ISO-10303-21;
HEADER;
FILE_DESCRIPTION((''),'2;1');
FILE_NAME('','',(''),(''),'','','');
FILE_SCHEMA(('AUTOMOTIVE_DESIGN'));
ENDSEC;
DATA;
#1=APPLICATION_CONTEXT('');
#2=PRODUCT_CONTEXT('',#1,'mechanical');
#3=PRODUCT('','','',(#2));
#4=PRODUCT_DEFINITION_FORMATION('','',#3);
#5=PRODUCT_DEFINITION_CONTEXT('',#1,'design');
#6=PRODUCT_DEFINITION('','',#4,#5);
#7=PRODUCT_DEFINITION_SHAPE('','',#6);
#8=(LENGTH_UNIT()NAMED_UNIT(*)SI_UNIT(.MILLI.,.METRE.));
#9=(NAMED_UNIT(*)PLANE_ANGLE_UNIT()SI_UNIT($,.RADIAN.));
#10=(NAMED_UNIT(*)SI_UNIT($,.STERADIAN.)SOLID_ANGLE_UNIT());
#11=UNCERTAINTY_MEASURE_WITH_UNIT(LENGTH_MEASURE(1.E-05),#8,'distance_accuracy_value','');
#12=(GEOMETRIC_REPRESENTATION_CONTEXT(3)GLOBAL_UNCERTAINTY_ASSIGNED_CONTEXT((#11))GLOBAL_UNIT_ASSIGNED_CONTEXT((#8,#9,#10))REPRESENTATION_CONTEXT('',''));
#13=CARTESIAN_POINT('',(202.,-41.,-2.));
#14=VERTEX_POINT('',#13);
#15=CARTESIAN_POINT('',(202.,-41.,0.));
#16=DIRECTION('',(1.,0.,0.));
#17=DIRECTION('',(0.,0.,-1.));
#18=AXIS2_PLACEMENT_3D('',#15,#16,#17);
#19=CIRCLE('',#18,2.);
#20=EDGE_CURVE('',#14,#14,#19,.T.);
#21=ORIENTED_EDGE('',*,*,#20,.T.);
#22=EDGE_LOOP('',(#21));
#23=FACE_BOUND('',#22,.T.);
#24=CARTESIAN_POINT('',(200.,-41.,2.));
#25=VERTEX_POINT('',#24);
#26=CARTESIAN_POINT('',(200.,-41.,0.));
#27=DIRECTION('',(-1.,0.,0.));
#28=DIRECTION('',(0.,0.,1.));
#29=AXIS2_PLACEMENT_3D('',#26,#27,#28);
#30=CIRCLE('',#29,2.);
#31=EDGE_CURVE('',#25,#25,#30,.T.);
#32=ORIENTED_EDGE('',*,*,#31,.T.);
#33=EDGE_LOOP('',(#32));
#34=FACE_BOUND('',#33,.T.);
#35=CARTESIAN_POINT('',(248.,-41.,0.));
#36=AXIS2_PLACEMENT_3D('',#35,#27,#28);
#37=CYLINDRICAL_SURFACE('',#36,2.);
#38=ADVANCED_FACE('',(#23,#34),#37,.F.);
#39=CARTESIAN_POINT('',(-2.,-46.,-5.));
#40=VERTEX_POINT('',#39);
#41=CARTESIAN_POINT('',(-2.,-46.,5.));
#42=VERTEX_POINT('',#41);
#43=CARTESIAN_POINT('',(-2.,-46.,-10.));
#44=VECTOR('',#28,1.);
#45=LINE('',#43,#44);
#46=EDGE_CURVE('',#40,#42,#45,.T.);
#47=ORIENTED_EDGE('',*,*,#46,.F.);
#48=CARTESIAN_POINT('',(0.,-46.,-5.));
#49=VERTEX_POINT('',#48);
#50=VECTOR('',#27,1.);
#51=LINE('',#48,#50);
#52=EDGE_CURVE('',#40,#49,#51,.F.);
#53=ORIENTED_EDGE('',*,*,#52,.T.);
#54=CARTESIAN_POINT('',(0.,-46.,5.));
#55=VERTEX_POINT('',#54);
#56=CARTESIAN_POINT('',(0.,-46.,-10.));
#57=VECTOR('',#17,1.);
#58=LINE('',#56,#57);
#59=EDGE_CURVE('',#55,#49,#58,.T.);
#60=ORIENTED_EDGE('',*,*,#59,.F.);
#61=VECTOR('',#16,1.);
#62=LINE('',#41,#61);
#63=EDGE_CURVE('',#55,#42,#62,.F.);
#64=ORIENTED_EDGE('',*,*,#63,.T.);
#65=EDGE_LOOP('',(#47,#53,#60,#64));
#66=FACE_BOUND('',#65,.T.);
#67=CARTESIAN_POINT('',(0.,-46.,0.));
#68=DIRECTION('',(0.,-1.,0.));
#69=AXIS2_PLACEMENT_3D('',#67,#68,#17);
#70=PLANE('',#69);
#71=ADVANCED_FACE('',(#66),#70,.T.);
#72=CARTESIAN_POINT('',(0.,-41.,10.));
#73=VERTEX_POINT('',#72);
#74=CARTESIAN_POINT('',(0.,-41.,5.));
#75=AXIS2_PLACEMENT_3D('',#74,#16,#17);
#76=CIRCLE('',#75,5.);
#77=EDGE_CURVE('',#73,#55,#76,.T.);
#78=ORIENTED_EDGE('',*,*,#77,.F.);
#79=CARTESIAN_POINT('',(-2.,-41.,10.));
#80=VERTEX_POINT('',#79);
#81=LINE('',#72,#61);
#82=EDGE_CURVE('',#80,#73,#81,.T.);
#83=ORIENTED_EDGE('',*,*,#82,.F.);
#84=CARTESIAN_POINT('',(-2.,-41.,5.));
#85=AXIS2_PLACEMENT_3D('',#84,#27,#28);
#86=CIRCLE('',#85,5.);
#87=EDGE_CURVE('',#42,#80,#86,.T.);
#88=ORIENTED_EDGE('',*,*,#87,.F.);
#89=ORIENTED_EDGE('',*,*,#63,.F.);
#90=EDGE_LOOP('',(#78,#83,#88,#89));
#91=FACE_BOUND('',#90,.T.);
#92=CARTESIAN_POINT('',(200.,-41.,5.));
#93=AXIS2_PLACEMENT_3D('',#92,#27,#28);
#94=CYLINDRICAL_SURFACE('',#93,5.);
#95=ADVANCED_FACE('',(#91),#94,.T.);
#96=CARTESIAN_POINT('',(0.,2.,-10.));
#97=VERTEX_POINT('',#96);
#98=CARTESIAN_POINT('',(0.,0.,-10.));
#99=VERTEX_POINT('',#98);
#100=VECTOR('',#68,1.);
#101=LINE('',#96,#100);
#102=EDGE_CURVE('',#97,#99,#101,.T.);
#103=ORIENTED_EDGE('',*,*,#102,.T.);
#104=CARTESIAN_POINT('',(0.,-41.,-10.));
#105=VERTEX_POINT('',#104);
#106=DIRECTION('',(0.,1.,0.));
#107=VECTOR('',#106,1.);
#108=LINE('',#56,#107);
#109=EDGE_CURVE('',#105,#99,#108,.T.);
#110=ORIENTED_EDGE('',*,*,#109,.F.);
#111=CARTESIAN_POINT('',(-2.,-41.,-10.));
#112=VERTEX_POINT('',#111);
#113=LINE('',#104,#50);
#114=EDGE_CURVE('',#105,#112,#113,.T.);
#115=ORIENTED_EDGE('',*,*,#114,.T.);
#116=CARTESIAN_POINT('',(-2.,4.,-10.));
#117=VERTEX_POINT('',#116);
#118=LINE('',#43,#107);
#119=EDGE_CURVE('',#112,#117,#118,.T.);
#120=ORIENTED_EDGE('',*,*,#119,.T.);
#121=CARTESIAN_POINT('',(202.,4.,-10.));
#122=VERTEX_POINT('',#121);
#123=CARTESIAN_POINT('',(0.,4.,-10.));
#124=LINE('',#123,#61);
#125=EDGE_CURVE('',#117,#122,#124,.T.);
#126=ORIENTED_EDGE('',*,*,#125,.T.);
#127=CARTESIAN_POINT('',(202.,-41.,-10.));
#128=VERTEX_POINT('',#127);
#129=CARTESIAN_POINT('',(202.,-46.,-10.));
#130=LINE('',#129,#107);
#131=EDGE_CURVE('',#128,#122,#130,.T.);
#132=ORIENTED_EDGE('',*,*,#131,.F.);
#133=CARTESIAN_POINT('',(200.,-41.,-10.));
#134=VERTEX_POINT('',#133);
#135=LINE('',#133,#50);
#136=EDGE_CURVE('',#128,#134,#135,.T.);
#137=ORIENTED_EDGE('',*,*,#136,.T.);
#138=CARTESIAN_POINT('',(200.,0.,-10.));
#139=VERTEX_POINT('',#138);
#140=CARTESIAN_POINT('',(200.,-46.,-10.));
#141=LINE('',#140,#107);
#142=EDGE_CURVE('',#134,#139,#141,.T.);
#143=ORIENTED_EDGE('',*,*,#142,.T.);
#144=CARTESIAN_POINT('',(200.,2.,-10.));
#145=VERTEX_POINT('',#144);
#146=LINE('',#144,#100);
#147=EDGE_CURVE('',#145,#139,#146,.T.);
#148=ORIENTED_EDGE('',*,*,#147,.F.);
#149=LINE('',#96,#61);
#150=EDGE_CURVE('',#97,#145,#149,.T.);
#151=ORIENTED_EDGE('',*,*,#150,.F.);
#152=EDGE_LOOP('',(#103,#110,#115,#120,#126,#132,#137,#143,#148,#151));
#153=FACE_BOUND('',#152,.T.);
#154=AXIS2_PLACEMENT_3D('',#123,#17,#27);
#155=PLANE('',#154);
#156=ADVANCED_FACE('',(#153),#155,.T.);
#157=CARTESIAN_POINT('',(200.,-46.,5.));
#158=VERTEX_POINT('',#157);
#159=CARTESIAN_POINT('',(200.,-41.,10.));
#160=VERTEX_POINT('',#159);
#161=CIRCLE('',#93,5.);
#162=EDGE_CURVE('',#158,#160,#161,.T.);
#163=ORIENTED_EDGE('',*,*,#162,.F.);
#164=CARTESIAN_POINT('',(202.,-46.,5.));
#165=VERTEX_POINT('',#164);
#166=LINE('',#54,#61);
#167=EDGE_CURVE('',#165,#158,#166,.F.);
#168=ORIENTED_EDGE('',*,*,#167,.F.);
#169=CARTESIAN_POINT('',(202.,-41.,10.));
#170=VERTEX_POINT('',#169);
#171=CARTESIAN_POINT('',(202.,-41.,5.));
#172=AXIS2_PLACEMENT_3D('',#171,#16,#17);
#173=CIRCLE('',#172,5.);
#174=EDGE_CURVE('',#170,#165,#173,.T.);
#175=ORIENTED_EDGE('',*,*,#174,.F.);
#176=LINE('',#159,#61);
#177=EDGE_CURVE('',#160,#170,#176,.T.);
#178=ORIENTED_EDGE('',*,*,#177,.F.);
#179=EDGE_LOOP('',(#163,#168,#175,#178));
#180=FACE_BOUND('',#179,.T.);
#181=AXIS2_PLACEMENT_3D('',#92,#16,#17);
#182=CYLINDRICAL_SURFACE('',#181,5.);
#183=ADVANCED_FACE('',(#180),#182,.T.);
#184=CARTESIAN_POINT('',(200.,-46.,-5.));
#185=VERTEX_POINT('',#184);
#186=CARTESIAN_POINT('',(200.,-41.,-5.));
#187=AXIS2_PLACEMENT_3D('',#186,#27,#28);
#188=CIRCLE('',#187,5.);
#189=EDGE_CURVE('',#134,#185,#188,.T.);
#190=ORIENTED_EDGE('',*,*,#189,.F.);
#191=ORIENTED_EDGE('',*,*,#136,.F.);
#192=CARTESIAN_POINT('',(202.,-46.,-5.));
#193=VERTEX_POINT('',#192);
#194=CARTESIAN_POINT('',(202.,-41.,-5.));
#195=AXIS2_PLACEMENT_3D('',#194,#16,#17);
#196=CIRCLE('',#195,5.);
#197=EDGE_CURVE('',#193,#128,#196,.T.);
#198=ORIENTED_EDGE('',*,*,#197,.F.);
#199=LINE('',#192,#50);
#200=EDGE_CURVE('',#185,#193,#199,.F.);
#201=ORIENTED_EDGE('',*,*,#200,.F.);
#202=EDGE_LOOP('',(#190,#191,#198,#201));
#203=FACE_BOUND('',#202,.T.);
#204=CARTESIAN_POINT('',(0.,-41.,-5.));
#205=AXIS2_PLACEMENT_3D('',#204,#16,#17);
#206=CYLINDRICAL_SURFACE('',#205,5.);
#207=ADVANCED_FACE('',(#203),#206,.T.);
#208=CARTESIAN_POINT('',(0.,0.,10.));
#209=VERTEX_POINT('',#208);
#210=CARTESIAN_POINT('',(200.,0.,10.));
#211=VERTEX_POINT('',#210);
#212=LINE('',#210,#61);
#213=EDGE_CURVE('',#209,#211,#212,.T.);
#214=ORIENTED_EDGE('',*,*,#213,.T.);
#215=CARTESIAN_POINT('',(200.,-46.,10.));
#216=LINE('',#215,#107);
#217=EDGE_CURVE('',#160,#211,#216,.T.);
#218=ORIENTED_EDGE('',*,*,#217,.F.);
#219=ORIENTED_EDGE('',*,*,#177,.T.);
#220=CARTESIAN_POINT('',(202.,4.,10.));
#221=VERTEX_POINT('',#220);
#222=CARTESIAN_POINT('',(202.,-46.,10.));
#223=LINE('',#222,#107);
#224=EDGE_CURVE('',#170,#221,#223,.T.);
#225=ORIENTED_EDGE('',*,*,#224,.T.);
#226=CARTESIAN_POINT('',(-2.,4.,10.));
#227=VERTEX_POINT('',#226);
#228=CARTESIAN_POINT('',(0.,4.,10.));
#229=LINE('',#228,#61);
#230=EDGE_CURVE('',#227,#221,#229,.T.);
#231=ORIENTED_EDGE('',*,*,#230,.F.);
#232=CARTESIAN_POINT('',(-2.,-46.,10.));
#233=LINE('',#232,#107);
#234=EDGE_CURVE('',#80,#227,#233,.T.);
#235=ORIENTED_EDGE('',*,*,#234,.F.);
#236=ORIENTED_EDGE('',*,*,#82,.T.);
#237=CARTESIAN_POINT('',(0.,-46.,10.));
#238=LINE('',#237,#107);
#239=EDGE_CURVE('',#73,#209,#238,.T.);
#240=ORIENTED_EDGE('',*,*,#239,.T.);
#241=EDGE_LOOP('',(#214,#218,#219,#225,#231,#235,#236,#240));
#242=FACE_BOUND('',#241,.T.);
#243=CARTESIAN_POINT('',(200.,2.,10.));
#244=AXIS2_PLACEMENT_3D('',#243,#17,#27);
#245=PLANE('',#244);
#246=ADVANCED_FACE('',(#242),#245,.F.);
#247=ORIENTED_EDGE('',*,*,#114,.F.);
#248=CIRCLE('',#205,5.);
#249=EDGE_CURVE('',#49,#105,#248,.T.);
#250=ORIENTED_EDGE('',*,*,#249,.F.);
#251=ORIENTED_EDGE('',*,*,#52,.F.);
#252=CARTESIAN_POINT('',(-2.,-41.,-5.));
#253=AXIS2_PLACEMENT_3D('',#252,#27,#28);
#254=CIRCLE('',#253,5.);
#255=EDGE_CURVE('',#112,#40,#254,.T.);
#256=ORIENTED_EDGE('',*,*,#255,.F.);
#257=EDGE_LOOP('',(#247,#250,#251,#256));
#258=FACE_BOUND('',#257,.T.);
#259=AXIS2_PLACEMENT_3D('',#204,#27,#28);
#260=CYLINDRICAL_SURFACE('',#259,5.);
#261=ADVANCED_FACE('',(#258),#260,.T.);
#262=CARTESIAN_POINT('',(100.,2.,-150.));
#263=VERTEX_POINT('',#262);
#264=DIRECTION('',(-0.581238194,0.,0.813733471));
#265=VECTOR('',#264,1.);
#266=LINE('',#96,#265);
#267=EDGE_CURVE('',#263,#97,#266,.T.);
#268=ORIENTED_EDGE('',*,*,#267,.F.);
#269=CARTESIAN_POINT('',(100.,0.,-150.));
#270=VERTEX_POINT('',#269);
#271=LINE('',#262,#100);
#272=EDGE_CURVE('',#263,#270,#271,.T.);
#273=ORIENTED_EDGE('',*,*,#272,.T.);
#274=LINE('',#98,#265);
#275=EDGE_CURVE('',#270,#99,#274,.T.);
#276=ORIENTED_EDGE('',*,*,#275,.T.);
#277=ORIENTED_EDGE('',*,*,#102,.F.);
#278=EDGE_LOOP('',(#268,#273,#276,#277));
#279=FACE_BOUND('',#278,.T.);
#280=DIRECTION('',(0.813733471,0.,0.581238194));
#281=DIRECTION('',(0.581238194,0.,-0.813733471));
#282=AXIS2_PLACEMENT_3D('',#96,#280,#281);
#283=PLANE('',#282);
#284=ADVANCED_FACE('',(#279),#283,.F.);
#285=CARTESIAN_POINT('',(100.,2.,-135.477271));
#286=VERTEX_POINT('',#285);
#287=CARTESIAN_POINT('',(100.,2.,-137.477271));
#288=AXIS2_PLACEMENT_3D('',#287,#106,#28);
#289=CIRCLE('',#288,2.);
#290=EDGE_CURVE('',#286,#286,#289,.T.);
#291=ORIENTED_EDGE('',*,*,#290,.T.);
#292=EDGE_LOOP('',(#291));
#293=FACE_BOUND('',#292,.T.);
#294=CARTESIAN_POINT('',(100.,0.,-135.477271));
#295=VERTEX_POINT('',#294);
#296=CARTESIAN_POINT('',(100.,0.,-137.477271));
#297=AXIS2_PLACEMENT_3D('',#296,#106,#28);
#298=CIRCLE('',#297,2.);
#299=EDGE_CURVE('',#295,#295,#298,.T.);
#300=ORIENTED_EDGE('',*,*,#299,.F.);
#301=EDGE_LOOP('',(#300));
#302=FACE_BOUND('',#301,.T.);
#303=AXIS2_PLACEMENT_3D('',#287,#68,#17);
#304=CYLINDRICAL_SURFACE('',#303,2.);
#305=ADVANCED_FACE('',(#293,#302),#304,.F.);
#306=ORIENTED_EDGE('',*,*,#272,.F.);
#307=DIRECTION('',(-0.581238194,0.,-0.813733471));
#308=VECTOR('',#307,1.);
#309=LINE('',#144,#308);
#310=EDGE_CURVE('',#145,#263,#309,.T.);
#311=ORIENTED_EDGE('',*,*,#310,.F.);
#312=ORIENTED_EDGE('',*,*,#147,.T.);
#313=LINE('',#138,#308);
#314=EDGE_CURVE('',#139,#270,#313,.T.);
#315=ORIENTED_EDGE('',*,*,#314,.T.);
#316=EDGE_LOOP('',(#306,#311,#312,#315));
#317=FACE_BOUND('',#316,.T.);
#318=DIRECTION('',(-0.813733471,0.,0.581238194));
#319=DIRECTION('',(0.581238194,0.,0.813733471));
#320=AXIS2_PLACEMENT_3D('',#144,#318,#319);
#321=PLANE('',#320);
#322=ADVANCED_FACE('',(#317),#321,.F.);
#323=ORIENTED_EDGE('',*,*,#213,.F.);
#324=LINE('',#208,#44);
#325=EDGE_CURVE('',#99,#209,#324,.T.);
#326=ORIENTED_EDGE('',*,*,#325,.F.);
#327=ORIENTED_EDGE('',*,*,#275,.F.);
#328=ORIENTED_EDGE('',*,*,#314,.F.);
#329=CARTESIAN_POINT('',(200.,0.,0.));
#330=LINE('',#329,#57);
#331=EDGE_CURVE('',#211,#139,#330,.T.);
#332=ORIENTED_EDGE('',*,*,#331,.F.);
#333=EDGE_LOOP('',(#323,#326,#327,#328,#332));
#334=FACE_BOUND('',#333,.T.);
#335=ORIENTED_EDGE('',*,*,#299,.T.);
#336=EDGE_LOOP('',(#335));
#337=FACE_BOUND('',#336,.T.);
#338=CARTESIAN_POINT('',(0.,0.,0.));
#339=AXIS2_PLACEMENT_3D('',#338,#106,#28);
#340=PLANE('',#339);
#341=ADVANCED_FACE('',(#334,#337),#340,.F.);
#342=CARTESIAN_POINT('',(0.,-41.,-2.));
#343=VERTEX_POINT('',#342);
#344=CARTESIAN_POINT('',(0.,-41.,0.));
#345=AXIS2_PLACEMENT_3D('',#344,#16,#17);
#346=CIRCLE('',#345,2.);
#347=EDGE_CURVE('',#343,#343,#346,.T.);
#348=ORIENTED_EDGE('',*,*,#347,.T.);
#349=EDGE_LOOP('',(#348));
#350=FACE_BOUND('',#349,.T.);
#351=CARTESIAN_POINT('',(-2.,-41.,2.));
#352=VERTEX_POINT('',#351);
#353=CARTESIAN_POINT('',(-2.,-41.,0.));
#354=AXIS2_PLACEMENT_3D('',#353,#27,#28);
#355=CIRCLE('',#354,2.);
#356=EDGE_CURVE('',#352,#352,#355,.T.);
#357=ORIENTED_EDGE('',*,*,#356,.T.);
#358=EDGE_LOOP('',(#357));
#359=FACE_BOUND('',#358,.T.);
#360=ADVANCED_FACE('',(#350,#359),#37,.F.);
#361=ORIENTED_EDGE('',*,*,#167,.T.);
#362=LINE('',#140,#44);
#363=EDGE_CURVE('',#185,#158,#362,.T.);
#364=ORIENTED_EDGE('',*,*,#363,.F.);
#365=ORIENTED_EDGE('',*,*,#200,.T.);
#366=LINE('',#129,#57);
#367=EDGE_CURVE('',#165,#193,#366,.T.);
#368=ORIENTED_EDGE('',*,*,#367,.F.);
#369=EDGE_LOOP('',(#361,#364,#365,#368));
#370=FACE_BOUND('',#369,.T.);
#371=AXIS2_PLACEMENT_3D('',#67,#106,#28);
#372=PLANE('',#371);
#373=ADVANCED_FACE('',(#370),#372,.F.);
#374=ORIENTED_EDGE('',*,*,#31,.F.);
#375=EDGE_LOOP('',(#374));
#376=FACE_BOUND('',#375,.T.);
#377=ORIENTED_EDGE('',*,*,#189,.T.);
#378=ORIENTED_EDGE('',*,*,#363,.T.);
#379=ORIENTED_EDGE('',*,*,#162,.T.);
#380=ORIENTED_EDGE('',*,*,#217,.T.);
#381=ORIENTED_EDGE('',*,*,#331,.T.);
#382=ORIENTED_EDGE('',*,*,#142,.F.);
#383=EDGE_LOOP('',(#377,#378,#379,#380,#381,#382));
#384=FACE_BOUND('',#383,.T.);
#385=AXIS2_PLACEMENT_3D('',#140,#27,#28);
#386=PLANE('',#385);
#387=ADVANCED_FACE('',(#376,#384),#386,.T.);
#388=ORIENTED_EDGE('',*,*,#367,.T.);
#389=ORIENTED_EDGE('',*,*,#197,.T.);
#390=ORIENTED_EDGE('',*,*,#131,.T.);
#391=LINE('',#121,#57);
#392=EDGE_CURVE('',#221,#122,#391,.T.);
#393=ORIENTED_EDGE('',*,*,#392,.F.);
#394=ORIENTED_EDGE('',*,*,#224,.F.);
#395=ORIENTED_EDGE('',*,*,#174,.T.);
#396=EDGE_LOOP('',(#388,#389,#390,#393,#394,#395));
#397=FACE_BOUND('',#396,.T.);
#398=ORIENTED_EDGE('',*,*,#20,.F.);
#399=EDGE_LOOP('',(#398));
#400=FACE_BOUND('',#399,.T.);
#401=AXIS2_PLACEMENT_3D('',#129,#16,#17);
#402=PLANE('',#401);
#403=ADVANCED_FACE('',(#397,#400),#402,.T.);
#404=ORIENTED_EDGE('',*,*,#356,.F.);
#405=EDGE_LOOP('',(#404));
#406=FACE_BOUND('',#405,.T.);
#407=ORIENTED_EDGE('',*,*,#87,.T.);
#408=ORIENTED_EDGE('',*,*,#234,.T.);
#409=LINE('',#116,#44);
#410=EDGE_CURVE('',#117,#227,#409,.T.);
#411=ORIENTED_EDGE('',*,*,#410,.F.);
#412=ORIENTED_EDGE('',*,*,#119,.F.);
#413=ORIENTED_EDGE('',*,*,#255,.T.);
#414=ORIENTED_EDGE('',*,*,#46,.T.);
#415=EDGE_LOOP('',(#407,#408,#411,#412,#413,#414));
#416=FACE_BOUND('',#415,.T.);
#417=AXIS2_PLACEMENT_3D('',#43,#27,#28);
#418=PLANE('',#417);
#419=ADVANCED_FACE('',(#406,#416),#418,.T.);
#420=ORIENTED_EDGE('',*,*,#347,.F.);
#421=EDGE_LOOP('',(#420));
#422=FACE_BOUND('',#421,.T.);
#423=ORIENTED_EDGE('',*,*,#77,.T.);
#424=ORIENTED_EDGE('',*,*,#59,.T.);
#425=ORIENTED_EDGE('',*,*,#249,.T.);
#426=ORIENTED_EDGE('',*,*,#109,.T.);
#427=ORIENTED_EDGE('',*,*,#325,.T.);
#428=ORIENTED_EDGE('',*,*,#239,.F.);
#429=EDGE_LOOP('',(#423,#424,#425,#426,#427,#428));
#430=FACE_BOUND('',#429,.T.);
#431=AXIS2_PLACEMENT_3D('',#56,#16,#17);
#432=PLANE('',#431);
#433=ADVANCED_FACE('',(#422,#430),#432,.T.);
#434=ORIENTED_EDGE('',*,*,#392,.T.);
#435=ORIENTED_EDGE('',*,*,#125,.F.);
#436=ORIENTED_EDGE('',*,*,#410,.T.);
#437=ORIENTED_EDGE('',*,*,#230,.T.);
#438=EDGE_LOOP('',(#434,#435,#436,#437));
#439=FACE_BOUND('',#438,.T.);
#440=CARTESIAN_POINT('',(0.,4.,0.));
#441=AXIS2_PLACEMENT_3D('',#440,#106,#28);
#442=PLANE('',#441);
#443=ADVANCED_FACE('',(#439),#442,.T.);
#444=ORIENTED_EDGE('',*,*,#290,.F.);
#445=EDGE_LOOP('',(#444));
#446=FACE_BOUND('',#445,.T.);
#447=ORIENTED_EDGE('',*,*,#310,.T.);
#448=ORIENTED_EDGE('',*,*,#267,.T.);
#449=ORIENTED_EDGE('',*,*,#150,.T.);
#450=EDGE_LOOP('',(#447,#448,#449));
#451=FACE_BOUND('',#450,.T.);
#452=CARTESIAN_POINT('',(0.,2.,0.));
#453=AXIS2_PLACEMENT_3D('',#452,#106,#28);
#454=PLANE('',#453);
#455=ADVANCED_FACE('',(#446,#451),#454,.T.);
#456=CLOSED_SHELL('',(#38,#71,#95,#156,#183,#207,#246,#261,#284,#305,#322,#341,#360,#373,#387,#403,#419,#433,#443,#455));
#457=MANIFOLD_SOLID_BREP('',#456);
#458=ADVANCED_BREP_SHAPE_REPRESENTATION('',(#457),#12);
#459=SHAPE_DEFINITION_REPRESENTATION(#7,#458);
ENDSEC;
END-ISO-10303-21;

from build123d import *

# Parameters (mm, degrees)
SKETCH2_R           = 2
BOSS_EXTRUDE1_DEPTH = 2
SKETCH4_W           = 200
SKETCH4_H           = 20
BOSS_EXTRUDE4_DEPTH = 2
SKETCH7_W           = 2
SKETCH7_H           = 20
BOSS_EXTRUDE5_DEPTH = 50
FILLET1_R           = 5
SKETCH9_R           = 2
CUT_EXTRUDE1_DEPTH  = 250


with BuildPart() as part:
    # Sketch2 → Boss-Extrude1 (new body)
    with BuildSketch(Plane(origin=(0, 0, 0), x_dir=(1, 0, 0), z_dir=(0, 1, 0))):
        Polygon((200, 0), (200, 10), (100, 150), (0, 10), (0, 0), (0, -10), (200, -10), align=None)
        with Locations(Location((100, 137.477270849, 0), (0, 0, 270))):
            Circle(SKETCH2_R, mode=Mode.SUBTRACT)
    extrude(amount=BOSS_EXTRUDE1_DEPTH)

    # Sketch4 → Boss-Extrude4 (add)
    with BuildSketch(Plane(origin=(0, 2, 0), x_dir=(1, 0, 0), z_dir=(0, 1, 0))):
        with Locations((100, 0)):
            Rectangle(SKETCH4_W, SKETCH4_H)
    extrude(amount=BOSS_EXTRUDE4_DEPTH)

    # Sketch7 → Boss-Extrude5 (add)
    with BuildSketch(Plane(origin=(0, 4, 0), x_dir=(1, 0, 0), z_dir=(0, 1, 0))):
        with Locations((-1, 0)):
            Rectangle(SKETCH7_W, SKETCH7_H)
        with Locations((201, 0)):
            Rectangle(SKETCH7_W, SKETCH7_H)
    extrude(amount=-BOSS_EXTRUDE5_DEPTH)

    # Fillet1
    fillet1_edges = [part.edges().sort_by_distance(p)[0] for p in [
        (-1, -46, 10),
        (-1, -46, -10),
        (201, -46, -10),
        (201, -46, 10),
    ]]
    fillet(fillet1_edges, radius=FILLET1_R)

    # Sketch9 → Cut-Extrude1 (cut)
    with BuildSketch(Plane.ZY.offset(2)):
        with Locations((0, -41)):
            Circle(SKETCH9_R)
    extrude(amount=-CUT_EXTRUDE1_DEPTH, mode=Mode.SUBTRACT)


solid = part.part
